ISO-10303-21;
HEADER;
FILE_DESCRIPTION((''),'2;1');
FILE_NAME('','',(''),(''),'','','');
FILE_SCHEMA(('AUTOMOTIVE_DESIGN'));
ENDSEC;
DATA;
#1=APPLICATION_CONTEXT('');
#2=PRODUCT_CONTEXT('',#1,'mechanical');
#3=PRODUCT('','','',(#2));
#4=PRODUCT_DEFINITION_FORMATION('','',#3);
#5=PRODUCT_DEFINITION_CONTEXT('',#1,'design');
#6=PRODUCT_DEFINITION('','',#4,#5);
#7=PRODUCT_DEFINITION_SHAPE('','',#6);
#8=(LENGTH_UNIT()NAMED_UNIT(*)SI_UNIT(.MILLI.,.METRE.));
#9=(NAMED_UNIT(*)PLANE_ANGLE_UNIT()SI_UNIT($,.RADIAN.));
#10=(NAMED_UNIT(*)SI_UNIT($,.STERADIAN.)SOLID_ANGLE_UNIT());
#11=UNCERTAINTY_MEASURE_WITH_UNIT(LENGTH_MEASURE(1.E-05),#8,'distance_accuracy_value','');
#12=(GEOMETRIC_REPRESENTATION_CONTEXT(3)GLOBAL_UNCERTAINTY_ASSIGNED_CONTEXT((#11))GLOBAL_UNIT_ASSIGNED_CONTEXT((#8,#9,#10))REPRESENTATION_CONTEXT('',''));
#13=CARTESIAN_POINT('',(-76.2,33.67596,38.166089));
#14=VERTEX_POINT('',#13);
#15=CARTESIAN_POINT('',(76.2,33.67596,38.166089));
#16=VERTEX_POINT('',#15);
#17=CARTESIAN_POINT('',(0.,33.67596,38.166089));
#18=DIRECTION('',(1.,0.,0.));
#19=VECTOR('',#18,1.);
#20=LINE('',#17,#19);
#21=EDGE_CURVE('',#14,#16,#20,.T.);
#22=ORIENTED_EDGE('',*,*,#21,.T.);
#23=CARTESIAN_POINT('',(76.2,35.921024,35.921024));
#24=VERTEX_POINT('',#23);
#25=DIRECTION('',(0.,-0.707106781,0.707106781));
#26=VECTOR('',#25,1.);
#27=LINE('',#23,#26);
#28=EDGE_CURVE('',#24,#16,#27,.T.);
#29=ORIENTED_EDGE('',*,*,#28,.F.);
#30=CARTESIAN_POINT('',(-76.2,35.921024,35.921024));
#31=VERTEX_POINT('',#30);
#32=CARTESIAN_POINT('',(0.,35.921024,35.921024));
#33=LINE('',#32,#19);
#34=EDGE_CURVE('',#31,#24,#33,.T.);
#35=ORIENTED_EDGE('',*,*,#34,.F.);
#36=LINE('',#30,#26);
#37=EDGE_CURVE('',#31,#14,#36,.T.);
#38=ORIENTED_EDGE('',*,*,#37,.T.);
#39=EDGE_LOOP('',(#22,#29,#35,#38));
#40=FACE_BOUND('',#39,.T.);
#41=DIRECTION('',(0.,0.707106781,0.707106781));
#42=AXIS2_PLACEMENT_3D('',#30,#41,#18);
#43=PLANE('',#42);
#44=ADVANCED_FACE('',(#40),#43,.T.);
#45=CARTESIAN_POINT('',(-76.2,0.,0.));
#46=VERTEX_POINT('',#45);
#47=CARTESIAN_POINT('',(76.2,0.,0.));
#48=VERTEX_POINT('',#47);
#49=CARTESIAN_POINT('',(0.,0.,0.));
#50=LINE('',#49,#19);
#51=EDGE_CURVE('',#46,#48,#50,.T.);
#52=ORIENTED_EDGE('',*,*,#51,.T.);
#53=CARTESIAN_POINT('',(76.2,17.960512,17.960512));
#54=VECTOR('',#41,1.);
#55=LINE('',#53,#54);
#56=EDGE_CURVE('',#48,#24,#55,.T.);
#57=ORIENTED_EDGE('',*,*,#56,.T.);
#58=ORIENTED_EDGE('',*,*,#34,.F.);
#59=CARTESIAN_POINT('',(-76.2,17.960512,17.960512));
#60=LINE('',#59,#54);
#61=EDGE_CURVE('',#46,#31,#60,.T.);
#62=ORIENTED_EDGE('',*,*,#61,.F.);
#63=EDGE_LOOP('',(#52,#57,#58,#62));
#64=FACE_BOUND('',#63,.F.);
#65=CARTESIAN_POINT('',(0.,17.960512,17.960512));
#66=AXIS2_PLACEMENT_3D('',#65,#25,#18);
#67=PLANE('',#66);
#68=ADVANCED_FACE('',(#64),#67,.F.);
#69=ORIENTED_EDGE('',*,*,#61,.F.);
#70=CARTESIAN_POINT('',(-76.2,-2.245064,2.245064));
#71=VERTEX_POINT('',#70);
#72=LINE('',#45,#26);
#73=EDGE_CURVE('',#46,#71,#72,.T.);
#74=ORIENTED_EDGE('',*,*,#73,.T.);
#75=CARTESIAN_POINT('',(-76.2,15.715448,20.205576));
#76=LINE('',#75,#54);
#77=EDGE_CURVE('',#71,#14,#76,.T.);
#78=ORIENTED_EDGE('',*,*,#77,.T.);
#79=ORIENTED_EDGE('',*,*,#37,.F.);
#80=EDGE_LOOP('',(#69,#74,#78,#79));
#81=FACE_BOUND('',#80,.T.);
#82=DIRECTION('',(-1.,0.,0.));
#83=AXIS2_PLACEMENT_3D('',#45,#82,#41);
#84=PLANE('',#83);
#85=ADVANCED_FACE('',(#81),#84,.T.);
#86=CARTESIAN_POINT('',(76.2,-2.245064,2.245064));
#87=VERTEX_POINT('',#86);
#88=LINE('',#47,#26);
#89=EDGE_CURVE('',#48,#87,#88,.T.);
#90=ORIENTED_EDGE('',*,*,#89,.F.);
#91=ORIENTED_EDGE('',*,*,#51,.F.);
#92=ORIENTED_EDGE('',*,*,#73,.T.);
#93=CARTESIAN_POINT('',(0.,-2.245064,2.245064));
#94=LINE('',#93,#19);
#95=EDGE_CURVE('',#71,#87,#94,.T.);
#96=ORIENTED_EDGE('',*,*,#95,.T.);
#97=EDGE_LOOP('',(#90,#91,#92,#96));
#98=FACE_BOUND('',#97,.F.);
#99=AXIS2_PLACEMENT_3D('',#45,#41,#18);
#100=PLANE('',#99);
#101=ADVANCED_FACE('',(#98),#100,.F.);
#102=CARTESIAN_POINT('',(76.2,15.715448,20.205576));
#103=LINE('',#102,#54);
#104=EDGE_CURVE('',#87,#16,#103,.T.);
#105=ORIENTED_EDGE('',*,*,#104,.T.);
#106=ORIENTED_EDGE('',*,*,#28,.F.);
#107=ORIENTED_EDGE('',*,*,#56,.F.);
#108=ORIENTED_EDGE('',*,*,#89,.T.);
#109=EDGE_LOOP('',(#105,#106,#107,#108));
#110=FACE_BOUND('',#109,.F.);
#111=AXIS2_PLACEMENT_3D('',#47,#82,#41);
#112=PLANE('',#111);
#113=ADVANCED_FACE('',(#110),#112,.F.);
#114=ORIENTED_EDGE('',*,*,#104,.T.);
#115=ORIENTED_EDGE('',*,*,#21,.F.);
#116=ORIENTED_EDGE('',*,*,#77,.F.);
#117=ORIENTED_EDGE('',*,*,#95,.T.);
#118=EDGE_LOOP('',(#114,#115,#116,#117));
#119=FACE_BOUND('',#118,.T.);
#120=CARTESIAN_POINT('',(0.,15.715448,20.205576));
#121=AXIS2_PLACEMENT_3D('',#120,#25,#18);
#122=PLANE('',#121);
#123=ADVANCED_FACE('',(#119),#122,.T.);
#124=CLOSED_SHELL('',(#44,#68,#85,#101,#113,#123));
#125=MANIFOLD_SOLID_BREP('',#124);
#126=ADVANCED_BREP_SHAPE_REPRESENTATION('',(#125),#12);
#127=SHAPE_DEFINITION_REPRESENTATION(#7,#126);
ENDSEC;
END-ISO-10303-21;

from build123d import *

# Parameters (mm, degrees)
F1_W     = 152.4
F1_H     = 50.8
F2_DEPTH = 3.175
F4_D     = 1.778
F4_DEPTH = 12.2464285714
F4_TIP   = 0.5341650903


with BuildPart() as f2:
    # F1 (on face) → F2 (new body)
    with BuildSketch(Plane(origin=(0, 0, 0), x_dir=(1, 0, 0), z_dir=(0, -0.7071067812, 0.7071067812))):
        with Locations((0, 25.4)):
            Rectangle(F1_W, F1_H)
    extrude(amount=F2_DEPTH)

    # F4
    with Locations(Plane.YZ.offset(76.2)):
        with Locations((3.3675965891, 5.6126595319)):
            Hole(F4_D / 2, depth=F4_DEPTH)
            with Locations((0, 0, -(F4_DEPTH + F4_TIP / 2))):  # 118° drill point
                Cone(0, F4_D / 2, F4_TIP, mode=Mode.SUBTRACT)

    # F5: F2 across plane


with BuildPart() as f2_1:
    add(f2.part)
    add(f2.part.mirror(Plane.YZ))


solid = f2_1.part
